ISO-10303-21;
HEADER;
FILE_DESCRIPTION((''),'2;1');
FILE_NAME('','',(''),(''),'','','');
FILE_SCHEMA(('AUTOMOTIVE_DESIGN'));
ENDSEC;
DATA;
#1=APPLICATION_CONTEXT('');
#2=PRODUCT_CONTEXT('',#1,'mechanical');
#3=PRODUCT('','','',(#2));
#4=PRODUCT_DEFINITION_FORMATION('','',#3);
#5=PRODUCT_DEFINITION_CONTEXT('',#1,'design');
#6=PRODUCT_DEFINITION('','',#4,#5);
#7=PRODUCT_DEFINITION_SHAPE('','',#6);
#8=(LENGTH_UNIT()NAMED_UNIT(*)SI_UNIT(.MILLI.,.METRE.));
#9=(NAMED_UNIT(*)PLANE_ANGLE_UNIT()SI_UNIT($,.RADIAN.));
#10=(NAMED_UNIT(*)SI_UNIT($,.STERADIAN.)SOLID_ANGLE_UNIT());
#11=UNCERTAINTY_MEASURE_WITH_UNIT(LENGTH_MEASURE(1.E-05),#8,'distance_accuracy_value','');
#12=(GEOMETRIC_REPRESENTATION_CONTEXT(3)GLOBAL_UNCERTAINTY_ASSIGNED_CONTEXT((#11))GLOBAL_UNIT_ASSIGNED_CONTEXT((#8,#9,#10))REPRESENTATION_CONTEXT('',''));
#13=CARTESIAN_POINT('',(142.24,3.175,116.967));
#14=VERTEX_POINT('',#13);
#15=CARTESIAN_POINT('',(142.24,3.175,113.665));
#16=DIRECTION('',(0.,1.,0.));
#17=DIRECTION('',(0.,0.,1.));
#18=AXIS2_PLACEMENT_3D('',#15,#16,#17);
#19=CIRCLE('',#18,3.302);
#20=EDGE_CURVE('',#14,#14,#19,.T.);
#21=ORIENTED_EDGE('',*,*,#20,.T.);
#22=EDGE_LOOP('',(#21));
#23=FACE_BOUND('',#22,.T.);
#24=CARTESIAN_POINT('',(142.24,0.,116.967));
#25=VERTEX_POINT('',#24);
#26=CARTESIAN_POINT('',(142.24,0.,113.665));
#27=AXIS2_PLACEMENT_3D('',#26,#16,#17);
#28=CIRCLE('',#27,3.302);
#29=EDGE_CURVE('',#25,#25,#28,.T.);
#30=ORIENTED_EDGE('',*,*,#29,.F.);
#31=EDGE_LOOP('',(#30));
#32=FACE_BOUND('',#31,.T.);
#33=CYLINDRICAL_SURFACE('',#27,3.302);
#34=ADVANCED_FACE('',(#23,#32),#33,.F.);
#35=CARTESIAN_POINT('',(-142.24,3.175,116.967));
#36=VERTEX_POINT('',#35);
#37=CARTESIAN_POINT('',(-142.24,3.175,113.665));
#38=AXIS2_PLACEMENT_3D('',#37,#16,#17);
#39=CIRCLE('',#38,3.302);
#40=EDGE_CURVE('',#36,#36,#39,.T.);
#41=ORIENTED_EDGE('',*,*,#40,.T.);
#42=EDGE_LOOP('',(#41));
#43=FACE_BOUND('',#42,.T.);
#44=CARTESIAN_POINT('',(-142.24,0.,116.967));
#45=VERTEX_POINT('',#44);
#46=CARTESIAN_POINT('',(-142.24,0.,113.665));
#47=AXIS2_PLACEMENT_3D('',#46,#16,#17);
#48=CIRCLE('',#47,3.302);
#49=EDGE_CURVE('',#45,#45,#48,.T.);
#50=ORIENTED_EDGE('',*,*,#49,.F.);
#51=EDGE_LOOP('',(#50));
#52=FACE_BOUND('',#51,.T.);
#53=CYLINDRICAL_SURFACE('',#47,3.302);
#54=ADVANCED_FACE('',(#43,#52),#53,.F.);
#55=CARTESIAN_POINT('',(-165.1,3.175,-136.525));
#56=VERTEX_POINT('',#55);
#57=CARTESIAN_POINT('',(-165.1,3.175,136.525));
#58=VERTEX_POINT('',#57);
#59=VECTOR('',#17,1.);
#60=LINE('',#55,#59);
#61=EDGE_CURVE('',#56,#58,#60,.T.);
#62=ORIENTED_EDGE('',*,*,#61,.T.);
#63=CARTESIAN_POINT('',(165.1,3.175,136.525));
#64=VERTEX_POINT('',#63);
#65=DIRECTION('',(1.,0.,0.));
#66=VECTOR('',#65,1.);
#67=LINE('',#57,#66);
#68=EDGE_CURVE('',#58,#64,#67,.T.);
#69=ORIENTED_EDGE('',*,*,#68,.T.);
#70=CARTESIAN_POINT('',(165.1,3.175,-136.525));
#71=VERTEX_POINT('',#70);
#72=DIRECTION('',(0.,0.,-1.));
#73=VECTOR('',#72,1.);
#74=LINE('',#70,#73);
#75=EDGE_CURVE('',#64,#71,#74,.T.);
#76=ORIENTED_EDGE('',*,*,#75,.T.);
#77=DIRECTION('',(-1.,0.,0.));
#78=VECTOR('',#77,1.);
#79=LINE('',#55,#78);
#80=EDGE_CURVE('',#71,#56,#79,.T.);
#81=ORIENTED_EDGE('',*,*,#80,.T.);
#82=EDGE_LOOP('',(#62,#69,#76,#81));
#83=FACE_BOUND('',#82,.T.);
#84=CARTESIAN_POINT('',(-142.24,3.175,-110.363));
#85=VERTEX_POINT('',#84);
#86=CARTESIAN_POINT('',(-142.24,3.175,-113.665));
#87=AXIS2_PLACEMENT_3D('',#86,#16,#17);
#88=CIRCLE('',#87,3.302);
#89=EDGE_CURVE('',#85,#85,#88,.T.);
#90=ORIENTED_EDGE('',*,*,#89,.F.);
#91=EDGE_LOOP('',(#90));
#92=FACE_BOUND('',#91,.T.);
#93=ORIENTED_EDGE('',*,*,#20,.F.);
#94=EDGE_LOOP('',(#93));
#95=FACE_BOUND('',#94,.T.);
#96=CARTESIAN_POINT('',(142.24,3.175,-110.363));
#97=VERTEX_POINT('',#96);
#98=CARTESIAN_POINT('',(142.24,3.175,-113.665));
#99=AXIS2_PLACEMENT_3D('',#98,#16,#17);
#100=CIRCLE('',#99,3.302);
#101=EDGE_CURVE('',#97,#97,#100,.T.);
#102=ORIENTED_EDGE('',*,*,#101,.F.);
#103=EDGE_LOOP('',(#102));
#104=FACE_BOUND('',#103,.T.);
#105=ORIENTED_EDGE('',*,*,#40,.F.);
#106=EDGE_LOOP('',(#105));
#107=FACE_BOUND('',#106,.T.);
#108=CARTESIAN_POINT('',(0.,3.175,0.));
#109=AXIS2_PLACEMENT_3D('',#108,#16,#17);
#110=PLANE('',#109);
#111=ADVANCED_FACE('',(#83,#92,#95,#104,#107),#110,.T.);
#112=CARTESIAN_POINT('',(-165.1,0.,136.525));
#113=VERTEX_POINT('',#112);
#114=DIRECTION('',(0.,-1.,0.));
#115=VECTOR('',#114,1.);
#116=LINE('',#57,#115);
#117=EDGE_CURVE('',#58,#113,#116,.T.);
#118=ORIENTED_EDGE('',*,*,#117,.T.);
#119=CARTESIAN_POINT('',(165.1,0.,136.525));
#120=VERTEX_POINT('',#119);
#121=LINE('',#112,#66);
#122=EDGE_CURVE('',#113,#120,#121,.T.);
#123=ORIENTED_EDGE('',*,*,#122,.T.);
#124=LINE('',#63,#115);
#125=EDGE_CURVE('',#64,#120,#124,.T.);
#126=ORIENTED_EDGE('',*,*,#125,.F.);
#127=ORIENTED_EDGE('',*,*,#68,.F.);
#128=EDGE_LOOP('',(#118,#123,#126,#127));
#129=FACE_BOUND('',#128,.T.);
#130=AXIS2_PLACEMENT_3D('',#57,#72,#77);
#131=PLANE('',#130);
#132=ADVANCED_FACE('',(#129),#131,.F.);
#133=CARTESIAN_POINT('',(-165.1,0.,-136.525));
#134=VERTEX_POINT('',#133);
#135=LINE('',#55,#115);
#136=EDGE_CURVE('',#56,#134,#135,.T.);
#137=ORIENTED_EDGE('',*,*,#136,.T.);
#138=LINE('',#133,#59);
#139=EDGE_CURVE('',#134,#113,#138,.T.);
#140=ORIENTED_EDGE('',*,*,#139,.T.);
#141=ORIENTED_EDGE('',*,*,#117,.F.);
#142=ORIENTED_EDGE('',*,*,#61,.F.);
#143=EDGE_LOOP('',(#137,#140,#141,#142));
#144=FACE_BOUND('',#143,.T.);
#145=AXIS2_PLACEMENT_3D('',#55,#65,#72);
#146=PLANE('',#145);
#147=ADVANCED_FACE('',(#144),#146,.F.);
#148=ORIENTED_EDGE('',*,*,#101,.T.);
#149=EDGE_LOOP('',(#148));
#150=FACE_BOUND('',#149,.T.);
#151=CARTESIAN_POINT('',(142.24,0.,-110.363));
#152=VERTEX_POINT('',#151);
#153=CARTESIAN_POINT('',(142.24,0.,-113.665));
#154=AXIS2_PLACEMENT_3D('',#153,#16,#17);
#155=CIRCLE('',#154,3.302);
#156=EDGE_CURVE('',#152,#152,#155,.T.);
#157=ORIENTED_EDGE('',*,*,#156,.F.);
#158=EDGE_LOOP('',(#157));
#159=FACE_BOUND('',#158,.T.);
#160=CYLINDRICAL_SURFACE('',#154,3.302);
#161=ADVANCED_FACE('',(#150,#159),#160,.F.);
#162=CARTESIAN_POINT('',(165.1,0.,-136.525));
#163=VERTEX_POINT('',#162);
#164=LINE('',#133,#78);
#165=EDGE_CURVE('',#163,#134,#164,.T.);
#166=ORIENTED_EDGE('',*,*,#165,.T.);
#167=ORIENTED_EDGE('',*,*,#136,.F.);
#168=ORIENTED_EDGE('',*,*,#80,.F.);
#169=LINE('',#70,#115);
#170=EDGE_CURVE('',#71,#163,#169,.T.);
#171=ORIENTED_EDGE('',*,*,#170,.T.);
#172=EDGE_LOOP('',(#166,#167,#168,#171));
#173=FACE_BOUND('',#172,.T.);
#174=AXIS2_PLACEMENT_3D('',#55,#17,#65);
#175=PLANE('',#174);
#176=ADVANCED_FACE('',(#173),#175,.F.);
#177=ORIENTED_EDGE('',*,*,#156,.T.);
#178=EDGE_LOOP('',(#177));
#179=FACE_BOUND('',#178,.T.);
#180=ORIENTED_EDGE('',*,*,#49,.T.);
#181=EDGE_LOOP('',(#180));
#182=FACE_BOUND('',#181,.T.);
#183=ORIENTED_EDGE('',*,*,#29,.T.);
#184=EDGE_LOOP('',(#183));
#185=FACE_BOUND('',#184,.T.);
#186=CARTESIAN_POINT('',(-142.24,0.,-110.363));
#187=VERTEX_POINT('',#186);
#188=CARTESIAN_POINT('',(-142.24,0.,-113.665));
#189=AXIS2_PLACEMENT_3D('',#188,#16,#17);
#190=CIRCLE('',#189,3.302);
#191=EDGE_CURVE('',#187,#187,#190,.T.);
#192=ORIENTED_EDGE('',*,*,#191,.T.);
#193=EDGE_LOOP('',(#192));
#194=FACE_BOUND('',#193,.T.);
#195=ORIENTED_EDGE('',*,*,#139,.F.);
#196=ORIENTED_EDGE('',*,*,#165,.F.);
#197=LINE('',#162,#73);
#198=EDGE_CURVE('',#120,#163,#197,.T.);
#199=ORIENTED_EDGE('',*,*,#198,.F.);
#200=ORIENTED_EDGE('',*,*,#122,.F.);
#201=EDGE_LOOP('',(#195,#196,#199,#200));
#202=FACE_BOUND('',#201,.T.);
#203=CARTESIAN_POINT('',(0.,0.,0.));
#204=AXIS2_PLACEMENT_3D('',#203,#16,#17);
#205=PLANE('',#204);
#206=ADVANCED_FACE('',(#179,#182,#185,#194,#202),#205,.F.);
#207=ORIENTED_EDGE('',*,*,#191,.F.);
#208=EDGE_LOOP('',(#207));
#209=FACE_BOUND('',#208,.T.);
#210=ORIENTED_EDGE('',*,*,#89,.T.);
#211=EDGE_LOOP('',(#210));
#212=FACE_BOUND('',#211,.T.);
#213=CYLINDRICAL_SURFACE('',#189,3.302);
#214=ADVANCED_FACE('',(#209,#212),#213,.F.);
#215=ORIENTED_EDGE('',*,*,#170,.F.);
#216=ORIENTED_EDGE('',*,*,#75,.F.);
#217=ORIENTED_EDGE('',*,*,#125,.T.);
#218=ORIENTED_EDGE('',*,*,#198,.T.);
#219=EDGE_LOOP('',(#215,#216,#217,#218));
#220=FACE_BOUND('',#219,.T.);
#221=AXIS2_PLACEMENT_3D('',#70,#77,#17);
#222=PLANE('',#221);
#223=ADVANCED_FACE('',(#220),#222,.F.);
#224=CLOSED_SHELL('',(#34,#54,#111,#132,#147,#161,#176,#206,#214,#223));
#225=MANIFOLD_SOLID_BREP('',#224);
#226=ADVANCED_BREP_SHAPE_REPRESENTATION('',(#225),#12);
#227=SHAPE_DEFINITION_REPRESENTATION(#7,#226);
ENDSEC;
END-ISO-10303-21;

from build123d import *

# Parameters (mm, degrees)
SKETCH2_W           = 330.2
SKETCH2_H           = 273.05
BOSS_EXTRUDE1_DEPTH = 3.175
SKETCH3_R           = 3.302
CUT_EXTRUDE1_DEPTH  = 215.259576799


with BuildPart() as part:
    # Sketch2 → Boss-Extrude1 (new body)
    with BuildSketch(Plane(origin=(0, 0, 0), x_dir=(1, 0, 0), z_dir=(0, 1, 0))):
        Rectangle(SKETCH2_W, SKETCH2_H)
    extrude(amount=BOSS_EXTRUDE1_DEPTH)

    # Sketch3 → Cut-Extrude1 (cut, through all)
    with BuildSketch(Plane(origin=(0, 3.175, 0), x_dir=(1, 0, 0), z_dir=(0, 1, 0))):
        with Locations(Location((-142.24, -113.665, 0), (0, 0, 270))):
            Circle(SKETCH3_R)
        with Locations(Location((-142.24, 113.665, 0), (0, 0, 270))):
            Circle(SKETCH3_R)
        with Locations(Location((142.24, -113.665, 0), (0, 0, 270))):
            Circle(SKETCH3_R)
        with Locations(Location((142.24, 113.665, 0), (0, 0, 270))):
            Circle(SKETCH3_R)
    extrude(amount=-CUT_EXTRUDE1_DEPTH, mode=Mode.SUBTRACT)


solid = part.part
